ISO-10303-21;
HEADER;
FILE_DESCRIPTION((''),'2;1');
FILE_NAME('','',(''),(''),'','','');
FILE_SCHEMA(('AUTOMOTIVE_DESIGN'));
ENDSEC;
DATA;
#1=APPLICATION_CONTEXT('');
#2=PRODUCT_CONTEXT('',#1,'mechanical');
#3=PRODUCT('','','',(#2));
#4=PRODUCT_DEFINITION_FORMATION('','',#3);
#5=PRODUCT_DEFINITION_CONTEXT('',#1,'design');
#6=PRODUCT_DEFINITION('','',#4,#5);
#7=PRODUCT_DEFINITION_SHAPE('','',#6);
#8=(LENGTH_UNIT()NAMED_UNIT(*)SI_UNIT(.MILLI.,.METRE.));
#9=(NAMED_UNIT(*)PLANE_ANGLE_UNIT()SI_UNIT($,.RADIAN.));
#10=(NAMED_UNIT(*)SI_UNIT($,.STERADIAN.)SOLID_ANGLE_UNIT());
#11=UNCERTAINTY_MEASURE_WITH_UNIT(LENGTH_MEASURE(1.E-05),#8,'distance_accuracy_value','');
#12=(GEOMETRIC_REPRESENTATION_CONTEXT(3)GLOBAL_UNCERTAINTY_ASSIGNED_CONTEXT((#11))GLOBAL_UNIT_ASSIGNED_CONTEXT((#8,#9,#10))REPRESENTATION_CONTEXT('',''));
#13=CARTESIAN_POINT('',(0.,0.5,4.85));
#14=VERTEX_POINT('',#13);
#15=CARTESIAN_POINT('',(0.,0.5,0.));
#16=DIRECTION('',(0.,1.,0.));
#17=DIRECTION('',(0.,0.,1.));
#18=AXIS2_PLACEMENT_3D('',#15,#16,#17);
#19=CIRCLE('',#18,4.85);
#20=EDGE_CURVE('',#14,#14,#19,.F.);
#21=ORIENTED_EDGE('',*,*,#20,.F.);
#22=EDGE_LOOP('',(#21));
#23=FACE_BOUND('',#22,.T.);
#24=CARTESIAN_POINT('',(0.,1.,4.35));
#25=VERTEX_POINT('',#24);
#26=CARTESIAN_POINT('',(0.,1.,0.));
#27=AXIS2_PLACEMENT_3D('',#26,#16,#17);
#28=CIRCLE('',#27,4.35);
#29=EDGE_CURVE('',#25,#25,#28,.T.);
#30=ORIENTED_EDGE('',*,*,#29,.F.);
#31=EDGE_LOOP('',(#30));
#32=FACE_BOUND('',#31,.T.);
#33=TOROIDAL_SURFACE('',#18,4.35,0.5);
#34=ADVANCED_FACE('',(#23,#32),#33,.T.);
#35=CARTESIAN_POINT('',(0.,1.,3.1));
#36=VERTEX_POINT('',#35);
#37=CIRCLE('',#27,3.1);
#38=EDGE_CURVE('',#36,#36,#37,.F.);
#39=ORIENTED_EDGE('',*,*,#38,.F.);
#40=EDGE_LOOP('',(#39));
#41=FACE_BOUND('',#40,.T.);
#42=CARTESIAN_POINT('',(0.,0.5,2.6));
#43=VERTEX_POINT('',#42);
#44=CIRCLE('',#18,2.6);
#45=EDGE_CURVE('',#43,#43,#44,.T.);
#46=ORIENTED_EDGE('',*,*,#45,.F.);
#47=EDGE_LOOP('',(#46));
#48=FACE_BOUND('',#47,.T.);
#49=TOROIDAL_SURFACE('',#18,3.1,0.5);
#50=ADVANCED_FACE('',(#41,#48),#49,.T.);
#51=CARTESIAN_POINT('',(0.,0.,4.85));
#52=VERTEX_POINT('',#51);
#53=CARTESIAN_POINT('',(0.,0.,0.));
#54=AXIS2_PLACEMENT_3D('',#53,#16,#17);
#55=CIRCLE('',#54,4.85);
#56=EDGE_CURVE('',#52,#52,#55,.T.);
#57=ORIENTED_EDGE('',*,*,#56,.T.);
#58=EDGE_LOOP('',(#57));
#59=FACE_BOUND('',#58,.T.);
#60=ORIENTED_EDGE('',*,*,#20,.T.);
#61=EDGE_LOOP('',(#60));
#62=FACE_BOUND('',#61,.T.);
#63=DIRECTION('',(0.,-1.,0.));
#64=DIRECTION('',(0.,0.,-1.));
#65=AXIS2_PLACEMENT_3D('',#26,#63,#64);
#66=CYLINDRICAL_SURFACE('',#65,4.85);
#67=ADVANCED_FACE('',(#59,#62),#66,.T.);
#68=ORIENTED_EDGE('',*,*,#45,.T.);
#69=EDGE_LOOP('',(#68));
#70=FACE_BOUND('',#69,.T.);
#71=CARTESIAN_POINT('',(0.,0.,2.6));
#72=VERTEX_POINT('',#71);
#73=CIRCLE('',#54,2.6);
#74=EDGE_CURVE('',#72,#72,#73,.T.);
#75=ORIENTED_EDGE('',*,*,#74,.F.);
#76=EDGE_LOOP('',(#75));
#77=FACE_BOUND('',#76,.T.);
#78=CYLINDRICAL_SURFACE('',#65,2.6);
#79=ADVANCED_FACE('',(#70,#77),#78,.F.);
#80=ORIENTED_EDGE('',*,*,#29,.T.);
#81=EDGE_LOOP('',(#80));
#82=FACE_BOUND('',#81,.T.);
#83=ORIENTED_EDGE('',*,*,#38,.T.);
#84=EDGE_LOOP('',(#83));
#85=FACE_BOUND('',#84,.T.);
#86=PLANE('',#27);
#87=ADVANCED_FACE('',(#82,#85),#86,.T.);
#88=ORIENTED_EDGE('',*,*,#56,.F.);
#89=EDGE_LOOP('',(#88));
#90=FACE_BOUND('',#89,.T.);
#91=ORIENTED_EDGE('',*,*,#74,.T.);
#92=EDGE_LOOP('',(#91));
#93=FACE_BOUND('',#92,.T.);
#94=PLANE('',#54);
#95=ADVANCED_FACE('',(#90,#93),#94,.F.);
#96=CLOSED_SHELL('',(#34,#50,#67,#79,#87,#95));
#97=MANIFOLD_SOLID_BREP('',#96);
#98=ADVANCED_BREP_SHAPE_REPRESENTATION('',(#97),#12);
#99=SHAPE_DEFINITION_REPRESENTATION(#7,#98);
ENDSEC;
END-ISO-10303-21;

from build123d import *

# Parameters (mm, degrees)
SKETCH_1_R      = 4.85
SKETCH_1_R_2    = 2.6
EXTRUDE_1_DEPTH = 1
FILLET_1_R      = 0.5


with BuildPart() as part:
    # 草图1 → 凸台-拉伸1 (new body)
    with BuildSketch(Plane(origin=(0, 0, 0), x_dir=(1, 0, 0), z_dir=(0, 1, 0))):
        Circle(SKETCH_1_R)
        Circle(SKETCH_1_R_2, mode=Mode.SUBTRACT)
    extrude(amount=EXTRUDE_1_DEPTH)

    # 圆角1
    fillet_1_edges = [part.edges().sort_by_distance(p)[0] for p in [
        (-4.85, 1, 0),
        (-2.6, 1, 0),
    ]]
    fillet(fillet_1_edges, radius=FILLET_1_R)


solid = part.part
